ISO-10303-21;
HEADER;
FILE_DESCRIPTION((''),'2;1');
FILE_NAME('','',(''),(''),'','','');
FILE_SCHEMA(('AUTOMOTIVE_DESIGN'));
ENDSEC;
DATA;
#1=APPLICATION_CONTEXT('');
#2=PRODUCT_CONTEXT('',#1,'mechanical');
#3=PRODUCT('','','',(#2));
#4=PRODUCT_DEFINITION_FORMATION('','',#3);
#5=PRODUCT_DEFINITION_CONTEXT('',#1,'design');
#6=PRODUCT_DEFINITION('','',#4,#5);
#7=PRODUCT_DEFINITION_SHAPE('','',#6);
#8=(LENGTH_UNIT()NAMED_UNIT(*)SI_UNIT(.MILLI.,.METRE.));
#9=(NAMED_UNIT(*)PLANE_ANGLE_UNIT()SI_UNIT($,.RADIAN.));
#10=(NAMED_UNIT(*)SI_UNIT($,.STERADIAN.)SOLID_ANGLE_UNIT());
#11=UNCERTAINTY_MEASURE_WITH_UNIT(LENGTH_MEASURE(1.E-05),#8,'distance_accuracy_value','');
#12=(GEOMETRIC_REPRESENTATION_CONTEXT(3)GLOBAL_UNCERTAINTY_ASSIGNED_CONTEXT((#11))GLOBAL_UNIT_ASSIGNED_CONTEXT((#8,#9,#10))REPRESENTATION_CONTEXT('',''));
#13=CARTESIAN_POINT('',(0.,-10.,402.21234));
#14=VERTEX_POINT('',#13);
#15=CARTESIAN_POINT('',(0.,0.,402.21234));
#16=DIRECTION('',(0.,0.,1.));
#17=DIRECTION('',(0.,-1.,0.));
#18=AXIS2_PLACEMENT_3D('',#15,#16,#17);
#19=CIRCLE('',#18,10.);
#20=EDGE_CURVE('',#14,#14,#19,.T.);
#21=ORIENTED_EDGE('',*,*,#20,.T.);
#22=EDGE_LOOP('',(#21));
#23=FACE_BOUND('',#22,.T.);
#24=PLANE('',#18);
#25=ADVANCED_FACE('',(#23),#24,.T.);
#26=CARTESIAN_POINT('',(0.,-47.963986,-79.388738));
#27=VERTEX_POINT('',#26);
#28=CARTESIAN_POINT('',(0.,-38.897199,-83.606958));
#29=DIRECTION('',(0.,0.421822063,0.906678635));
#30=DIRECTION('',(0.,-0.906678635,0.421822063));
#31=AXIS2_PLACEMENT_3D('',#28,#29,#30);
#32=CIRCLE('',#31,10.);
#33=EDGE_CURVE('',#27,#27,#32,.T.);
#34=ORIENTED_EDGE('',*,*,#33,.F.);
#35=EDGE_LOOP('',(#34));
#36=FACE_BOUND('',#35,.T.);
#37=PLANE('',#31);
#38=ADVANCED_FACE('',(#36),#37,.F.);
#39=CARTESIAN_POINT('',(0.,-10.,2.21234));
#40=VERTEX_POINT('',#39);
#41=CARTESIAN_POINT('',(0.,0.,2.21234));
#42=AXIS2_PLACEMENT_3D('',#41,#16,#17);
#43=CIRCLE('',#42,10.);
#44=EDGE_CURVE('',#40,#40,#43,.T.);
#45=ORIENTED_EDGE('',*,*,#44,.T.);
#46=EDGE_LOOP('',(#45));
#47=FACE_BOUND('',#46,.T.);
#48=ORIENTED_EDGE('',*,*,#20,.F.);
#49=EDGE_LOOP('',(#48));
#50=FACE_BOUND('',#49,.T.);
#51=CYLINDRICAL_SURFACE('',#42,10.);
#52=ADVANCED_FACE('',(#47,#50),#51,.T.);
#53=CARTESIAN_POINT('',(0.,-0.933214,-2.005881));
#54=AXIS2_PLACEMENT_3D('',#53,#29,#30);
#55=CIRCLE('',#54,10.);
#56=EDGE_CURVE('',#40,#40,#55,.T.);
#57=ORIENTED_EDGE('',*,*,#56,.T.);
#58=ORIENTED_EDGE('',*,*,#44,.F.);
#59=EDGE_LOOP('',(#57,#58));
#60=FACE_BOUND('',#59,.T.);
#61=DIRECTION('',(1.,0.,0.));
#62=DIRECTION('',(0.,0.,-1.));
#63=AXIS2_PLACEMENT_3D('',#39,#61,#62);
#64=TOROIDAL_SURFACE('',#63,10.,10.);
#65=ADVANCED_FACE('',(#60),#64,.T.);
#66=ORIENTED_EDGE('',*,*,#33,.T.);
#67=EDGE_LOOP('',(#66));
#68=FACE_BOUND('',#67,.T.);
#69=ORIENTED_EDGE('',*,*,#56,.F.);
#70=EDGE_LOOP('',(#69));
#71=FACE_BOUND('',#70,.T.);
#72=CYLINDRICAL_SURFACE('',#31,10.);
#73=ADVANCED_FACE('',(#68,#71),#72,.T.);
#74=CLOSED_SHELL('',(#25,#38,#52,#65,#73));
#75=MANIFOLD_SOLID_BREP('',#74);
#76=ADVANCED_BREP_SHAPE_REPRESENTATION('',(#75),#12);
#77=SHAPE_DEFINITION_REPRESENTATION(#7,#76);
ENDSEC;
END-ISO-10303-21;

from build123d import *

# Parameters (mm, degrees)
SWEEP3_PROFILE_R = 10


with BuildPart() as part:
    # Sweep3: sweep along a path in Sketch4
    with BuildLine(Plane(origin=(0, 0, 0), x_dir=(0, 0, -1), z_dir=(1, 0, 0))) as sweep3_path:
        Line((-402.212339592, 0), (-2.212339592, 0))
        ThreePointArc((-2.212339592, 0), (-0.052231202, -0.236090345), (2.005881041, -0.933213651))
        Line((2.005881041, -0.933213651), (83.606958178, -38.897199349))
    # Sweep3 profile (on start of the path) → Sweep3 (sweep)
    with BuildSketch(Plane(origin=(0, 0, 402.212339592), x_dir=(0, -1, 0), z_dir=(0, 0, -1))):
        Circle(SWEEP3_PROFILE_R)
    sweep(path=sweep3_path.line)


solid = part.part
